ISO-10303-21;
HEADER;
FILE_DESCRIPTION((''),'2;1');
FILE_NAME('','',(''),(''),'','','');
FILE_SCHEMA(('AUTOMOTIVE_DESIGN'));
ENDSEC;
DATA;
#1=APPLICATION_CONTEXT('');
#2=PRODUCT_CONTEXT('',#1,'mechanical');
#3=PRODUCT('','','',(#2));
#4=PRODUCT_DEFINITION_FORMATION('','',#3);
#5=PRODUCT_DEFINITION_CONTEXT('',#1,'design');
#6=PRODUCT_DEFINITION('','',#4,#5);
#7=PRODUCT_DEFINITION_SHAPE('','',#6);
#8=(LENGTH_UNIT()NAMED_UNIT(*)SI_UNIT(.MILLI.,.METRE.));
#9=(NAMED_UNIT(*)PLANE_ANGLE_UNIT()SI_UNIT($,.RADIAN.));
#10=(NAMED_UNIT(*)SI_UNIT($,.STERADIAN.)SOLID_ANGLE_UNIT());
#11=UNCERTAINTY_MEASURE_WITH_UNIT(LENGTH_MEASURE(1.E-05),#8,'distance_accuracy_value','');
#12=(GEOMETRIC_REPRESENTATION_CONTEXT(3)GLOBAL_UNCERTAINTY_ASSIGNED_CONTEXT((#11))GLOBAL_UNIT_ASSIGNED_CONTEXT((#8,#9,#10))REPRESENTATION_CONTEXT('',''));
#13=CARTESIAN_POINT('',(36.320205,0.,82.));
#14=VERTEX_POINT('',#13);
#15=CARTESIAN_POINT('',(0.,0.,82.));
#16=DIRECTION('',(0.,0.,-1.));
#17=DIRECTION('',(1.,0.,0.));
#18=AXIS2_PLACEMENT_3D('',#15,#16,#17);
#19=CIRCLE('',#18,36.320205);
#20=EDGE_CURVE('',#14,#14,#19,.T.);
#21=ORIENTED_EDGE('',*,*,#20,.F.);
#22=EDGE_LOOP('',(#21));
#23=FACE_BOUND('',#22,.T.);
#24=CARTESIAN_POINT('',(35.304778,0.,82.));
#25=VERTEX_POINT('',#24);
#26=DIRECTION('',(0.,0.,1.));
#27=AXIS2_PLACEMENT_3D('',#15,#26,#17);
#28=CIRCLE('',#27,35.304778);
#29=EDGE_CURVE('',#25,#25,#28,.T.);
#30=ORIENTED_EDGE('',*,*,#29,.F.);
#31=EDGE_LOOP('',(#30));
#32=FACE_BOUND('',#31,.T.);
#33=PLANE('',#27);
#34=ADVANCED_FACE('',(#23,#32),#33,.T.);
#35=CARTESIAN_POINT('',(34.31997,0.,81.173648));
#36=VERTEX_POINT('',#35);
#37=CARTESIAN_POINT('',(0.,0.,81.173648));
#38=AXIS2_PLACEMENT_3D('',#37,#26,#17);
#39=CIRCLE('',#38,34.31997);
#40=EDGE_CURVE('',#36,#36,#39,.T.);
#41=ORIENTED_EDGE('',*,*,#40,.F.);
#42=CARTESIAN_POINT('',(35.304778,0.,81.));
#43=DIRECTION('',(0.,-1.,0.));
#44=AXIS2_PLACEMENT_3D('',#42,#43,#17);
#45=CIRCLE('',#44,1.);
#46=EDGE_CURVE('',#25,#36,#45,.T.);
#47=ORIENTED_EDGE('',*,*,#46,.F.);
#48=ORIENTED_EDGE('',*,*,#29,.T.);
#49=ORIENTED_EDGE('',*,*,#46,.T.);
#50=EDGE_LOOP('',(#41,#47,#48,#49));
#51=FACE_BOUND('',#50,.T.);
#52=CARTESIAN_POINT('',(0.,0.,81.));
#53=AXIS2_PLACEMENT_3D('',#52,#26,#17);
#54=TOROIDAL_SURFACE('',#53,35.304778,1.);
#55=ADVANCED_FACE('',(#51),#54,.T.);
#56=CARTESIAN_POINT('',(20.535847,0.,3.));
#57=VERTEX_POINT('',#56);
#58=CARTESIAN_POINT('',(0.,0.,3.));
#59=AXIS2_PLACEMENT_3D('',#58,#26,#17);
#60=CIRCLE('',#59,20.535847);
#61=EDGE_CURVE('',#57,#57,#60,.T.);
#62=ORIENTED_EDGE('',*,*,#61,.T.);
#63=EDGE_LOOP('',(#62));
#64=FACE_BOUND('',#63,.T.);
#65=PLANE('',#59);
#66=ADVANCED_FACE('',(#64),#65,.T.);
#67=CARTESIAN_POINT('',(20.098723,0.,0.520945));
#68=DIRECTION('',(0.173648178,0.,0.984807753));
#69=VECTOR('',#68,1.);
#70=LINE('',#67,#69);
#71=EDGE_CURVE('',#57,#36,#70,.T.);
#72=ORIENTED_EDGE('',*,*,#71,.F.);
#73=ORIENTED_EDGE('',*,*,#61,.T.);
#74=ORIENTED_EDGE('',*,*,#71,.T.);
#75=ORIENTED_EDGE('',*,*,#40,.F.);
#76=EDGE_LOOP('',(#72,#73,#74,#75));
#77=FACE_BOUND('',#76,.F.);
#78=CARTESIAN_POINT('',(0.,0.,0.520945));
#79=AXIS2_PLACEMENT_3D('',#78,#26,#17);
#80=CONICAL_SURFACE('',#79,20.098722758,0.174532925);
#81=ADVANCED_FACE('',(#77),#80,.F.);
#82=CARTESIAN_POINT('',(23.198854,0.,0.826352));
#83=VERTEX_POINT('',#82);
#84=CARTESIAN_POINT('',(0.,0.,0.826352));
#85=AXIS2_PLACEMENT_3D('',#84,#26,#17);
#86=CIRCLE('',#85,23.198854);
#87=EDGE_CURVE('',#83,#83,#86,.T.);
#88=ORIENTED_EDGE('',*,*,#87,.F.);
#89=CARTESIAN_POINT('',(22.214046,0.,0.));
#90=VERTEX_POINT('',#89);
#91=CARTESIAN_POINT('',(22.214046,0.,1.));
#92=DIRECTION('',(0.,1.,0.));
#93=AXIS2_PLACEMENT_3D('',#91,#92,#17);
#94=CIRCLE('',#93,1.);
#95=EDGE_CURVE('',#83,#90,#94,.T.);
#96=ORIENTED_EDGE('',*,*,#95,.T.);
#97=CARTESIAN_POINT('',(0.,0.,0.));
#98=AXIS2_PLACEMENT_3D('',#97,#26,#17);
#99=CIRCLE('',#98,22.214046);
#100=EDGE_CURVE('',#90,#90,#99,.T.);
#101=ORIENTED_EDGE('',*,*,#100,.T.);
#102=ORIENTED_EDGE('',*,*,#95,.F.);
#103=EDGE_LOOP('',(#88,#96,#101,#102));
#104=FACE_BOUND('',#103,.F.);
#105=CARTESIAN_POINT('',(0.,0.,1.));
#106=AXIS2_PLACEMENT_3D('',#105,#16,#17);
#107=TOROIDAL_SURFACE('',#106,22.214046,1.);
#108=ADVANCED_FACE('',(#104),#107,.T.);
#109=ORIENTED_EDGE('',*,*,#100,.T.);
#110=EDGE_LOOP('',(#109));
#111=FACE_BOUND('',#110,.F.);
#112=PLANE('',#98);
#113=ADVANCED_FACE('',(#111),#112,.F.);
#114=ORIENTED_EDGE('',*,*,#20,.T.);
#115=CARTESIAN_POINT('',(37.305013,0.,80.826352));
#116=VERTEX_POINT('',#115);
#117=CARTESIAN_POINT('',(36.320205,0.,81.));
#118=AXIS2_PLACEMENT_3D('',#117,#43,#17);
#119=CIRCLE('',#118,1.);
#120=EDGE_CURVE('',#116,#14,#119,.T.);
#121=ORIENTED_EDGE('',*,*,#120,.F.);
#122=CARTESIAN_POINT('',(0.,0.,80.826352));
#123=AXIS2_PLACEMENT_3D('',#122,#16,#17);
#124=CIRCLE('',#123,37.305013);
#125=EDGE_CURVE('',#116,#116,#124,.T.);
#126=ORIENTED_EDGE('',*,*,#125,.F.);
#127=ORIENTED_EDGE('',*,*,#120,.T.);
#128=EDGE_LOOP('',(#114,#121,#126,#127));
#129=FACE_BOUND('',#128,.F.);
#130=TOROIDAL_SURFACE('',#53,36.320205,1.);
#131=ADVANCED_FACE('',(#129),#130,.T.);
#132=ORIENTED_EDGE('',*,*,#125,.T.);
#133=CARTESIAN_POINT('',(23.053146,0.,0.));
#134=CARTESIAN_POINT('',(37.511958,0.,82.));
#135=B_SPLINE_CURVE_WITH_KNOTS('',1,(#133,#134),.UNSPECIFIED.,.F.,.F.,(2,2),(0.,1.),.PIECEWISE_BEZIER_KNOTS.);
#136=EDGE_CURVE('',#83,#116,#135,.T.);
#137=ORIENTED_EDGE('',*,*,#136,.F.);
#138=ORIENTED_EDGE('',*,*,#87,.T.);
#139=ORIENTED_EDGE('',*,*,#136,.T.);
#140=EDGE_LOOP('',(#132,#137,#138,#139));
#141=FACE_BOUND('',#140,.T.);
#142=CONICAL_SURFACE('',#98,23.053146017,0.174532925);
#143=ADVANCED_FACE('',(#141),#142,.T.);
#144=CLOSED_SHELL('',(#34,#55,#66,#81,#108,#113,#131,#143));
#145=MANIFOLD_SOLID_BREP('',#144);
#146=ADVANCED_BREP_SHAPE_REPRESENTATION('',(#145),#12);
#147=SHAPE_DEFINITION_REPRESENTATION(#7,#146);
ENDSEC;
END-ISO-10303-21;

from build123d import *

# Parameters (mm, degrees)
F0_R     = 23.0531460168
F1_DEPTH = 82
F1_TAPER = -10
F2_T     = -3
F3_R     = 1


with BuildPart() as f1:
    # F0 (on Top) → F1 (new body)
    with BuildSketch(Plane.XY):
        Circle(F0_R)
    extrude(amount=F1_DEPTH, taper=F1_TAPER)

    # F2
    f2_openings = [f1.faces().sort_by_distance(p)[0] for p in [
        (0, 0, 82),
    ]]
    offset(amount=F2_T, openings=f2_openings, kind=Kind.INTERSECTION)

    # F3
    f3_edges = [f1.edges().sort_by_distance(p)[0] for p in [
        (-37.511958, 0, 82),
        (-34.465679, 0, 82),
        (-23.053146, 0, 0),
    ]]
    fillet(f3_edges, radius=F3_R)


solid = f1.part
